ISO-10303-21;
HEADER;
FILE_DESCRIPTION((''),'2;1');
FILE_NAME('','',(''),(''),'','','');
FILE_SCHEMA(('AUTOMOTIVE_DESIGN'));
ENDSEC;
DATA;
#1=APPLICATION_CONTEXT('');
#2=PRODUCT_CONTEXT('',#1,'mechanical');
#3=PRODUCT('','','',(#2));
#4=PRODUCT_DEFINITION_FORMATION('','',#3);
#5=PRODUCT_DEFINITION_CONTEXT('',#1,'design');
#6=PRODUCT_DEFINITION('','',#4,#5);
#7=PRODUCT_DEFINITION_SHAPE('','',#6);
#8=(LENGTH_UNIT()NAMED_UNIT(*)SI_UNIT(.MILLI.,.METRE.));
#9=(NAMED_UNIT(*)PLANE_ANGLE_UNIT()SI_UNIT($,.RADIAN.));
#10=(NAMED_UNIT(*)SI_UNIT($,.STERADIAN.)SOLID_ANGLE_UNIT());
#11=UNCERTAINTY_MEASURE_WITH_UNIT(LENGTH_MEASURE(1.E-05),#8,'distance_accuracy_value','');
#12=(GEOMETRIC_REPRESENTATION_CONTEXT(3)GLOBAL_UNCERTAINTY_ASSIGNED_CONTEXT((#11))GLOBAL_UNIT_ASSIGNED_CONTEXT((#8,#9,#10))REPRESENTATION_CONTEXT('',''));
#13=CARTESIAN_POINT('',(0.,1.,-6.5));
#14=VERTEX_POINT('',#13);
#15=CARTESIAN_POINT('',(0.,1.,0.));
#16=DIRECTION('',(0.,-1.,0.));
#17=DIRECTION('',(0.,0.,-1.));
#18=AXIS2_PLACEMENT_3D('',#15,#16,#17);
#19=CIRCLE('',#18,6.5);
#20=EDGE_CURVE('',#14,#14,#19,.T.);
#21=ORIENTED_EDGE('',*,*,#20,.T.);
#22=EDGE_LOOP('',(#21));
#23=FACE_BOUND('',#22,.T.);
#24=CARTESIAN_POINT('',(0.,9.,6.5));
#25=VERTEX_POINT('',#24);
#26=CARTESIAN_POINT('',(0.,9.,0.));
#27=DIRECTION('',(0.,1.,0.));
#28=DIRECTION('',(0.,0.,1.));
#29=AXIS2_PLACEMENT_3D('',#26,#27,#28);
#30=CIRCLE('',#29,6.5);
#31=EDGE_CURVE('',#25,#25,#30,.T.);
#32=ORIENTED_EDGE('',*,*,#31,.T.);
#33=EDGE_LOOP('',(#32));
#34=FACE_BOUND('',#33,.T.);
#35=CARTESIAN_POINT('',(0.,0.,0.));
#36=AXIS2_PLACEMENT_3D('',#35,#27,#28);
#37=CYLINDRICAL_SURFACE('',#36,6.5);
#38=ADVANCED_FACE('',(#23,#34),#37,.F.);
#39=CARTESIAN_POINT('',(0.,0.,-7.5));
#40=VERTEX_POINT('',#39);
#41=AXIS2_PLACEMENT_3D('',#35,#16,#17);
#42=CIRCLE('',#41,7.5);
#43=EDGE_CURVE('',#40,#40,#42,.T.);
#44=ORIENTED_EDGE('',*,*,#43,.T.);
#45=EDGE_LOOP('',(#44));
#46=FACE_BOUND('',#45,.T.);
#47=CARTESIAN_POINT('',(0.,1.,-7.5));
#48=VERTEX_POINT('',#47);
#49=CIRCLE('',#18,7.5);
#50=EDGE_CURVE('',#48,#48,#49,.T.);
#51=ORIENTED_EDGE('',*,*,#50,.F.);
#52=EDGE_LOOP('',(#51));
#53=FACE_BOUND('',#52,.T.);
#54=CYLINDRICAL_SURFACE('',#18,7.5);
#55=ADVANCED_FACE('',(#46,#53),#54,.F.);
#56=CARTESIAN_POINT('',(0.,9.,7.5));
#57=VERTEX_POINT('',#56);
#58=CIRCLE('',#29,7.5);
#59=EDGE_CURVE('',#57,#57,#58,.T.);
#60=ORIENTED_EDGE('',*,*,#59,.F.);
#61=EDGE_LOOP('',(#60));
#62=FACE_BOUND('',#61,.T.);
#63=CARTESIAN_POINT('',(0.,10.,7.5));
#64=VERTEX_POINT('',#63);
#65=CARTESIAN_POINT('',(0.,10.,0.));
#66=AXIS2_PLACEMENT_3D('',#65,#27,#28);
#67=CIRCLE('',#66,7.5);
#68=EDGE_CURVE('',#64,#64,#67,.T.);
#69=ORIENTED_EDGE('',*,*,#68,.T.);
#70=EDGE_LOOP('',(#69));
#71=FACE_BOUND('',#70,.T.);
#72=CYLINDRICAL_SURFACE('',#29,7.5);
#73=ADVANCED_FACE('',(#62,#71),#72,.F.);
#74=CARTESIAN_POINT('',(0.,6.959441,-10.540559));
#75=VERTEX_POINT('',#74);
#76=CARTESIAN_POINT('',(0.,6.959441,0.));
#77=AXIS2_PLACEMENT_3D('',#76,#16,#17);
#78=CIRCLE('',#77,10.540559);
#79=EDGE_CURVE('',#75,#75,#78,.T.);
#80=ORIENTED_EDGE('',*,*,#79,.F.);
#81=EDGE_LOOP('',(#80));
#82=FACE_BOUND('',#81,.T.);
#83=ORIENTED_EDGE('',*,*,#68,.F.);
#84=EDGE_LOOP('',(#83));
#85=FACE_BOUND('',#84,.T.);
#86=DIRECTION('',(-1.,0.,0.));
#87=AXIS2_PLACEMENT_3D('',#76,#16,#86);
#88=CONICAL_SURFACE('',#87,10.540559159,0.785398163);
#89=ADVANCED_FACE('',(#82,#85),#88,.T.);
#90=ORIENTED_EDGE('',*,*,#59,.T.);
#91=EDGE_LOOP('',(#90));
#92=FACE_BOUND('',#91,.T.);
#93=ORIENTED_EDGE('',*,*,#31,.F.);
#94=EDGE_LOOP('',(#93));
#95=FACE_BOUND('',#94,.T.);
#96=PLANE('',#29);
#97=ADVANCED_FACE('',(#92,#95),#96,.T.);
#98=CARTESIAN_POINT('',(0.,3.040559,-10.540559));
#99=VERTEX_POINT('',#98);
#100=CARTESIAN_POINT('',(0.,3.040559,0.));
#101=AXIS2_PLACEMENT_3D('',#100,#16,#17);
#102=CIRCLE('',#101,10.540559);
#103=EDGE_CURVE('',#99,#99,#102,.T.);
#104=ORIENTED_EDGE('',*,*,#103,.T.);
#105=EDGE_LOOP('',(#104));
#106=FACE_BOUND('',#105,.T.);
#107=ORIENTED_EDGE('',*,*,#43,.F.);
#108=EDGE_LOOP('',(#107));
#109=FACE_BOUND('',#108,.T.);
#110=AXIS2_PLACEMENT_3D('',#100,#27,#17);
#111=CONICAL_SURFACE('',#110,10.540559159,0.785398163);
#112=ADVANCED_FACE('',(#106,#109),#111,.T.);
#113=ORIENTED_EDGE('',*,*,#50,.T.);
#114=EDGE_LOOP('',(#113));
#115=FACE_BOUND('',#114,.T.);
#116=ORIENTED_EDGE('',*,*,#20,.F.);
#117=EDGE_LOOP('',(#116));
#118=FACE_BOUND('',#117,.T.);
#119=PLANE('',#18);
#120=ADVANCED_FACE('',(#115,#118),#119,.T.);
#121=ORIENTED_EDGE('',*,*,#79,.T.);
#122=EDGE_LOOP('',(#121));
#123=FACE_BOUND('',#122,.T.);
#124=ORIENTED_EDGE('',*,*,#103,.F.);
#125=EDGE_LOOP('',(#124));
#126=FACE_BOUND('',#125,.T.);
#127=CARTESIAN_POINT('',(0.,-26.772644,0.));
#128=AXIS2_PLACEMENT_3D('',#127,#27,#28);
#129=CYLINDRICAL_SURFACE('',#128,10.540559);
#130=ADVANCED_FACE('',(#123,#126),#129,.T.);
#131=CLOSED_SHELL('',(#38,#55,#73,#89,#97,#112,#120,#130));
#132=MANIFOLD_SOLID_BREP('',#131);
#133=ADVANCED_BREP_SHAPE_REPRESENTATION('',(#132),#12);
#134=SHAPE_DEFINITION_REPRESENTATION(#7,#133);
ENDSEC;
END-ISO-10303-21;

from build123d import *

# Parameters (mm, degrees)
SKETCH1_R           = 7.5
BOSS_EXTRUDE3_DEPTH = 10
SKETCH54_R          = 10.540559159
BOSS_EXTRUDE5_DEPTH = 3.040559
BOSS_EXTRUDE5_TAPER = 45
SKETCH55_R          = 10.540559159
BOSS_EXTRUDE6_DEPTH = 3.040559
BOSS_EXTRUDE6_TAPER = 45
SKETCH56_R          = 10.540559159
BOSS_EXTRUDE7_DEPTH = 3.918882
SKETCH53_R          = 6.5
CUT_EXTRUDE7_DEPTH  = 11.0000001
SKETCH57_R          = 7.5
SKETCH57_R_2        = 6.5
CUT_EXTRUDE8_DEPTH  = 1
SKETCH59_R          = 7.5
SKETCH59_R_2        = 6.5
CUT_EXTRUDE9_DEPTH  = 1


with BuildPart() as part:
    # Sketch1 → Boss-Extrude3 (new body)
    with BuildSketch(Plane(origin=(0, 0, 0), x_dir=(1, 0, 0), z_dir=(0, 1, 0))):
        Circle(SKETCH1_R)
    extrude(amount=BOSS_EXTRUDE3_DEPTH)

    # Sketch54 → Boss-Extrude5 (add)
    with BuildSketch(Plane(origin=(0, 6.959440841, 0), x_dir=(1, 0, 0), z_dir=(0, 1, 0))):
        Circle(SKETCH54_R)
    extrude(amount=BOSS_EXTRUDE5_DEPTH, taper=BOSS_EXTRUDE5_TAPER)

    # Sketch55 → Boss-Extrude6 (add)
    with BuildSketch(Plane.XZ.offset(-3.040559159)):
        Circle(SKETCH55_R)
    extrude(amount=BOSS_EXTRUDE6_DEPTH, taper=BOSS_EXTRUDE6_TAPER)

    # Sketch56 → Boss-Extrude7 (add)
    with BuildSketch(Plane(origin=(0, 6.959440841, 0), x_dir=(-1, 0, 0), z_dir=(0, -1, 0))):
        Circle(SKETCH56_R)
    extrude(amount=BOSS_EXTRUDE7_DEPTH)

    # Sketch53 → Cut-Extrude7 (cut, through all)
    with BuildSketch(Plane(origin=(0, 10, 0), x_dir=(1, 0, 0), z_dir=(0, 1, 0))):
        Circle(SKETCH53_R)
    extrude(amount=-CUT_EXTRUDE7_DEPTH, mode=Mode.SUBTRACT)

    # Sketch57 → Cut-Extrude8 (cut)
    with BuildSketch(Plane(origin=(0, 0, 0), x_dir=(-1, 0, 0), z_dir=(0, -1, 0))):
        Circle(SKETCH57_R)
        Circle(SKETCH57_R_2, mode=Mode.SUBTRACT)
    extrude(amount=-CUT_EXTRUDE8_DEPTH, mode=Mode.SUBTRACT)

    # Sketch59 → Cut-Extrude9 (cut)
    with BuildSketch(Plane(origin=(0, 10, 0), x_dir=(1, 0, 0), z_dir=(0, 1, 0))):
        Circle(SKETCH59_R)
        Circle(SKETCH59_R_2, mode=Mode.SUBTRACT)
    extrude(amount=-CUT_EXTRUDE9_DEPTH, mode=Mode.SUBTRACT)


solid = part.part
